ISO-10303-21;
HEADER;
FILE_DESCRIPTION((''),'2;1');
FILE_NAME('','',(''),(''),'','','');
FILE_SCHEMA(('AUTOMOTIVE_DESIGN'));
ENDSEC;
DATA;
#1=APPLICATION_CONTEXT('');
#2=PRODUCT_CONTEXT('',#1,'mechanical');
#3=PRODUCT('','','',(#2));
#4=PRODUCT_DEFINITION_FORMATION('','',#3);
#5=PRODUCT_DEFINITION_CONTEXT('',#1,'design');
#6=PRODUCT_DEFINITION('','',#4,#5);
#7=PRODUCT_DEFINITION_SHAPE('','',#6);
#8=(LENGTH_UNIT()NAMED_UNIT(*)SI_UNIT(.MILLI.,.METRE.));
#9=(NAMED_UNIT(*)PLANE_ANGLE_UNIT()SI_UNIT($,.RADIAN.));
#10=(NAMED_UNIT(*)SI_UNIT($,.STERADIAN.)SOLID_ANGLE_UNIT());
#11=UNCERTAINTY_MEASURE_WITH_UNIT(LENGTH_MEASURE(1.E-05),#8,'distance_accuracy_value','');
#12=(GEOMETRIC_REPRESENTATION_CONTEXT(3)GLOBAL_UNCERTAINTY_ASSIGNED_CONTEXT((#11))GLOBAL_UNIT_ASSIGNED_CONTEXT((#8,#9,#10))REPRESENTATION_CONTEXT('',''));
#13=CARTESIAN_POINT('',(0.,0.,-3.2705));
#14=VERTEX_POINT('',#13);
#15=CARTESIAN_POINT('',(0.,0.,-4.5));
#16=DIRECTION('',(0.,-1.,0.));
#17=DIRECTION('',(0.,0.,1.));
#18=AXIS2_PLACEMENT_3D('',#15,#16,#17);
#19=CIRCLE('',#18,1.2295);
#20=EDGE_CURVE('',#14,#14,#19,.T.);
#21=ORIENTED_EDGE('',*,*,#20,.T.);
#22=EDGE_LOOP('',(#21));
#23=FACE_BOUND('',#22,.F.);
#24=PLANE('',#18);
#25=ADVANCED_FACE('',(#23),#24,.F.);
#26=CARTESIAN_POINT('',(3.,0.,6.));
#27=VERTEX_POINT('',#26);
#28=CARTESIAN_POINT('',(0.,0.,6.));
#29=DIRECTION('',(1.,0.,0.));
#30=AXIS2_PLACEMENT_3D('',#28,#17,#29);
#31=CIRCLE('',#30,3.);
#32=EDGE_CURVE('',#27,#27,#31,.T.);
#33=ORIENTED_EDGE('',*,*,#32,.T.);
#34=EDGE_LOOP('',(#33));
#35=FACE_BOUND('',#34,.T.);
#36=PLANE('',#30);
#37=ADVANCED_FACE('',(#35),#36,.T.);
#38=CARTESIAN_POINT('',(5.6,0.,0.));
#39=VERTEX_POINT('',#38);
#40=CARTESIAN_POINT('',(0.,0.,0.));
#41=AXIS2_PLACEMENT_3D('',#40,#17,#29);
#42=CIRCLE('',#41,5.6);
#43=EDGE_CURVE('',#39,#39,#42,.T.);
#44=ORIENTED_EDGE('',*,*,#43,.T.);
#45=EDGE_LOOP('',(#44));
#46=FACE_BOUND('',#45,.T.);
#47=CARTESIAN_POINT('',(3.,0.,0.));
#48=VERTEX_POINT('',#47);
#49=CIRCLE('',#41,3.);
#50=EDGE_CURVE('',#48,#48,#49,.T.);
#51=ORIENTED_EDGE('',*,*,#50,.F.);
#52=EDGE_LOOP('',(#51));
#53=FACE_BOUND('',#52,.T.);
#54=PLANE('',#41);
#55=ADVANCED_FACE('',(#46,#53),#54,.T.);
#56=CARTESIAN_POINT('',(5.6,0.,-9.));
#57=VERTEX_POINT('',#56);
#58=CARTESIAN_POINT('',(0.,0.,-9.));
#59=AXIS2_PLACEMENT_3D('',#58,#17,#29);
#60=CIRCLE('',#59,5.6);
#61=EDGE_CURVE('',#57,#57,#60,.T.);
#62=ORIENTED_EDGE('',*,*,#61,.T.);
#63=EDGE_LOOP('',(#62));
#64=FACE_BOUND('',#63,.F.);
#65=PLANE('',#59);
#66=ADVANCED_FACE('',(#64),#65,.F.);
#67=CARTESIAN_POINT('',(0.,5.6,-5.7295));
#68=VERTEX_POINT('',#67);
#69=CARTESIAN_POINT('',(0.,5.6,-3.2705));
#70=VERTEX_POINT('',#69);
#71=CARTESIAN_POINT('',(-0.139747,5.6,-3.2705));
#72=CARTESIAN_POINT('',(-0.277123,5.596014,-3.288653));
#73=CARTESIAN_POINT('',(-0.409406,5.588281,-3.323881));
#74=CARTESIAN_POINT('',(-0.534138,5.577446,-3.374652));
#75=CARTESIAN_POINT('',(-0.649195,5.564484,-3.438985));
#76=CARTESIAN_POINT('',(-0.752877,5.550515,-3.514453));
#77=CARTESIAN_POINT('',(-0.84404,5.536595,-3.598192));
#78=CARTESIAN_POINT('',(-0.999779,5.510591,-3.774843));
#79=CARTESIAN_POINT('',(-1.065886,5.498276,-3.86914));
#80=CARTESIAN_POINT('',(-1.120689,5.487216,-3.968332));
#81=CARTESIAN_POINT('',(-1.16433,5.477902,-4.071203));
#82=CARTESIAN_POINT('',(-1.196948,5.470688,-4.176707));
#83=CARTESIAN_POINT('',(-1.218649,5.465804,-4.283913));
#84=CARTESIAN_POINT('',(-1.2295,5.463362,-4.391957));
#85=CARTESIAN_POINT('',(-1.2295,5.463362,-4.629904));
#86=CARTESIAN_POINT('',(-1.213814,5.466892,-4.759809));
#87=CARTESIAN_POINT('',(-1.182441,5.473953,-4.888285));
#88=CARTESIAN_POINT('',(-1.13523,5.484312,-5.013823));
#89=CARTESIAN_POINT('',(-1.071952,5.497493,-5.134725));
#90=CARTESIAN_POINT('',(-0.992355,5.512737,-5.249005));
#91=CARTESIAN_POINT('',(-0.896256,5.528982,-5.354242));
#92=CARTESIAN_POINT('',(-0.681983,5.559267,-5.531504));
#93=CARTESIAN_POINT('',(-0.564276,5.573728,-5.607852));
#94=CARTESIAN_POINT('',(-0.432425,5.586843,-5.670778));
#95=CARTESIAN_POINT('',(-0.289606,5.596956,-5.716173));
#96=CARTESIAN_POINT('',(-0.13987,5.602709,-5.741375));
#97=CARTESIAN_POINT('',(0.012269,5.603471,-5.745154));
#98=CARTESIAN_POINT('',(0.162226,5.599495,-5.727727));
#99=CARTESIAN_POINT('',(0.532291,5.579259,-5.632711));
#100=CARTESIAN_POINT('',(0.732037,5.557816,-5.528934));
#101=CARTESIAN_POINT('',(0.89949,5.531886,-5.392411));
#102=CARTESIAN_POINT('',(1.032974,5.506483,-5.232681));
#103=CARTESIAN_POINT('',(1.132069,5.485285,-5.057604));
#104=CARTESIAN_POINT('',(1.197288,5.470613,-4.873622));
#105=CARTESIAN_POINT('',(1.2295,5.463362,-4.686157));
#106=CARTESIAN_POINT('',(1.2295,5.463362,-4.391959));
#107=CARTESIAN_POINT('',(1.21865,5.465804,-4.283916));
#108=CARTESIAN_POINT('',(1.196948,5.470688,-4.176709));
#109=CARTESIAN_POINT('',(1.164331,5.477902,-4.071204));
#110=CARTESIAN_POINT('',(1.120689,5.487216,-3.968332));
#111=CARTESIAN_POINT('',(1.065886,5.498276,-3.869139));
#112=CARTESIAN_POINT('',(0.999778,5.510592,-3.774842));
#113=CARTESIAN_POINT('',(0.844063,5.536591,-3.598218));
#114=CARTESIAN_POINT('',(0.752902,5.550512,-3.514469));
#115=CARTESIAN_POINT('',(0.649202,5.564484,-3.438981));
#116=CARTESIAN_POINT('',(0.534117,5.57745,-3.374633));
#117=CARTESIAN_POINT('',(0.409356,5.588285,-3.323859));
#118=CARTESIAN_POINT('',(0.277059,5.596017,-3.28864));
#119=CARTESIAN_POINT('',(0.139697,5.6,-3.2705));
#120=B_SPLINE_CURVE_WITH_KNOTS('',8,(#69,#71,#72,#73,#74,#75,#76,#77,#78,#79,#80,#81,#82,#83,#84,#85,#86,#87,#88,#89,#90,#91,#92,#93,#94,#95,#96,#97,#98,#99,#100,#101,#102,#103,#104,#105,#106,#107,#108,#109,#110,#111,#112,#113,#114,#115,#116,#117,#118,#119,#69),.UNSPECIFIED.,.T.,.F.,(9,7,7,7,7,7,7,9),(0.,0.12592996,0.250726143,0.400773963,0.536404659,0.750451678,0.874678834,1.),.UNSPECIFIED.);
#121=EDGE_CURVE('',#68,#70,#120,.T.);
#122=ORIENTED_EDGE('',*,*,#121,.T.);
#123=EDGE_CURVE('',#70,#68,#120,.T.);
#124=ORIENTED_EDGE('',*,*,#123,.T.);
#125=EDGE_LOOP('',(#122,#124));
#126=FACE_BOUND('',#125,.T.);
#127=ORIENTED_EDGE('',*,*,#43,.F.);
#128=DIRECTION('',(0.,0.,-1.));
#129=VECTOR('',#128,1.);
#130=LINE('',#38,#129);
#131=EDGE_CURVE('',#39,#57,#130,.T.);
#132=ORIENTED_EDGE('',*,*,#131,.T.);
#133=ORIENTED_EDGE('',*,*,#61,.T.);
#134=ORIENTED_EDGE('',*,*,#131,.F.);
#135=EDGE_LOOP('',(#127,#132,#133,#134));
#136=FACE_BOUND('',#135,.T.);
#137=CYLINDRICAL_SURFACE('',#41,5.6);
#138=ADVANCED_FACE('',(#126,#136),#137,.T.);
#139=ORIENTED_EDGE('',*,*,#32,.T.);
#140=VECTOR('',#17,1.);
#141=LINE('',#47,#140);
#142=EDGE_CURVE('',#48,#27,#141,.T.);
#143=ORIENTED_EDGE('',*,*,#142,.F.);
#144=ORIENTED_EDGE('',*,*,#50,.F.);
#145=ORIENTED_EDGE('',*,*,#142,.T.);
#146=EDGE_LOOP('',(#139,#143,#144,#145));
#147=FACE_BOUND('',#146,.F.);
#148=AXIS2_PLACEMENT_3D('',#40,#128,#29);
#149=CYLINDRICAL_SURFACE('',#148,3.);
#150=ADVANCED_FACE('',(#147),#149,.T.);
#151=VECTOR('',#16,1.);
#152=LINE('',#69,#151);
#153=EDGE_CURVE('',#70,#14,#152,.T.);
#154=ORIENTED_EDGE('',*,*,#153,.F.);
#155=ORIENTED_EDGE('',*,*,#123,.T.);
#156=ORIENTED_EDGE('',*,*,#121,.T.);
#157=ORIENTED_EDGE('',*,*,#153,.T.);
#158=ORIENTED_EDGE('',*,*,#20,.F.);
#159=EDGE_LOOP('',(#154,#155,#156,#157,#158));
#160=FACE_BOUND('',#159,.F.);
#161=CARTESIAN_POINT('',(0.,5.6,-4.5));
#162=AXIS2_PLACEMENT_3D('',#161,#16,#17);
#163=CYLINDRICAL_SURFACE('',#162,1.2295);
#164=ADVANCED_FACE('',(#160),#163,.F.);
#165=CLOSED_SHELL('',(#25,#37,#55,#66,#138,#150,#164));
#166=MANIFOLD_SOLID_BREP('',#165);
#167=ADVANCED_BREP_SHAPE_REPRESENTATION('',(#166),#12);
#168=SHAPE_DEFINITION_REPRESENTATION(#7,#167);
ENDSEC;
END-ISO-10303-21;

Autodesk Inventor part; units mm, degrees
ref_plane "YZ Plane" through (0, 0, 0) normal (1, 0, 0) x (0, 1, 0)
ref_plane "XZ Plane" through (0, 0, 0) normal (0, 1, 0) x (-1, 0, 0)
sketch "Sketch1" plane through (0, 0, 0) normal (0, 0, 1) x (1, 0, 0)
  circle A0 centre (0, 0) radius 5.6
  dimension "d0" = 11.2
extrude "Extrusion1" add sketch "Sketch1" against normal blind 9
ref_plane "Work Plane1" through (-5.6, 5.6, 0) normal (0, 1, 0) x (1, 0, 0)
sketch "Sketch3" plane through (-5.6, 5.6, 0) normal (0, 1, 0) x (1, 0, 0)
  circle A0 centre (5.6, 4.5) radius 1.2
  point P0 (5.6, 0)
  dimension "d9" = 2.4
hole "Hole1" at (0, 5.6, -4.5) direction (0, -1, 0) diameter 2.459 depth 5.6 thread size "M3x0.5" designation "M3" class "6H" standard "GB Metric profile"
sketch "Sketch4" plane through (0, 0, 0) normal (0, 0, 1) x (1, 0, 0)
  circle A0 centre (0, 0) radius 5.6 projected
  circle A1 centre (0, 0) radius 3
  dimension "d17" = 6
extrude "Extrusion3" add sketch "Sketch4" along normal blind 6 contours A1
properties part number "gear motor"
